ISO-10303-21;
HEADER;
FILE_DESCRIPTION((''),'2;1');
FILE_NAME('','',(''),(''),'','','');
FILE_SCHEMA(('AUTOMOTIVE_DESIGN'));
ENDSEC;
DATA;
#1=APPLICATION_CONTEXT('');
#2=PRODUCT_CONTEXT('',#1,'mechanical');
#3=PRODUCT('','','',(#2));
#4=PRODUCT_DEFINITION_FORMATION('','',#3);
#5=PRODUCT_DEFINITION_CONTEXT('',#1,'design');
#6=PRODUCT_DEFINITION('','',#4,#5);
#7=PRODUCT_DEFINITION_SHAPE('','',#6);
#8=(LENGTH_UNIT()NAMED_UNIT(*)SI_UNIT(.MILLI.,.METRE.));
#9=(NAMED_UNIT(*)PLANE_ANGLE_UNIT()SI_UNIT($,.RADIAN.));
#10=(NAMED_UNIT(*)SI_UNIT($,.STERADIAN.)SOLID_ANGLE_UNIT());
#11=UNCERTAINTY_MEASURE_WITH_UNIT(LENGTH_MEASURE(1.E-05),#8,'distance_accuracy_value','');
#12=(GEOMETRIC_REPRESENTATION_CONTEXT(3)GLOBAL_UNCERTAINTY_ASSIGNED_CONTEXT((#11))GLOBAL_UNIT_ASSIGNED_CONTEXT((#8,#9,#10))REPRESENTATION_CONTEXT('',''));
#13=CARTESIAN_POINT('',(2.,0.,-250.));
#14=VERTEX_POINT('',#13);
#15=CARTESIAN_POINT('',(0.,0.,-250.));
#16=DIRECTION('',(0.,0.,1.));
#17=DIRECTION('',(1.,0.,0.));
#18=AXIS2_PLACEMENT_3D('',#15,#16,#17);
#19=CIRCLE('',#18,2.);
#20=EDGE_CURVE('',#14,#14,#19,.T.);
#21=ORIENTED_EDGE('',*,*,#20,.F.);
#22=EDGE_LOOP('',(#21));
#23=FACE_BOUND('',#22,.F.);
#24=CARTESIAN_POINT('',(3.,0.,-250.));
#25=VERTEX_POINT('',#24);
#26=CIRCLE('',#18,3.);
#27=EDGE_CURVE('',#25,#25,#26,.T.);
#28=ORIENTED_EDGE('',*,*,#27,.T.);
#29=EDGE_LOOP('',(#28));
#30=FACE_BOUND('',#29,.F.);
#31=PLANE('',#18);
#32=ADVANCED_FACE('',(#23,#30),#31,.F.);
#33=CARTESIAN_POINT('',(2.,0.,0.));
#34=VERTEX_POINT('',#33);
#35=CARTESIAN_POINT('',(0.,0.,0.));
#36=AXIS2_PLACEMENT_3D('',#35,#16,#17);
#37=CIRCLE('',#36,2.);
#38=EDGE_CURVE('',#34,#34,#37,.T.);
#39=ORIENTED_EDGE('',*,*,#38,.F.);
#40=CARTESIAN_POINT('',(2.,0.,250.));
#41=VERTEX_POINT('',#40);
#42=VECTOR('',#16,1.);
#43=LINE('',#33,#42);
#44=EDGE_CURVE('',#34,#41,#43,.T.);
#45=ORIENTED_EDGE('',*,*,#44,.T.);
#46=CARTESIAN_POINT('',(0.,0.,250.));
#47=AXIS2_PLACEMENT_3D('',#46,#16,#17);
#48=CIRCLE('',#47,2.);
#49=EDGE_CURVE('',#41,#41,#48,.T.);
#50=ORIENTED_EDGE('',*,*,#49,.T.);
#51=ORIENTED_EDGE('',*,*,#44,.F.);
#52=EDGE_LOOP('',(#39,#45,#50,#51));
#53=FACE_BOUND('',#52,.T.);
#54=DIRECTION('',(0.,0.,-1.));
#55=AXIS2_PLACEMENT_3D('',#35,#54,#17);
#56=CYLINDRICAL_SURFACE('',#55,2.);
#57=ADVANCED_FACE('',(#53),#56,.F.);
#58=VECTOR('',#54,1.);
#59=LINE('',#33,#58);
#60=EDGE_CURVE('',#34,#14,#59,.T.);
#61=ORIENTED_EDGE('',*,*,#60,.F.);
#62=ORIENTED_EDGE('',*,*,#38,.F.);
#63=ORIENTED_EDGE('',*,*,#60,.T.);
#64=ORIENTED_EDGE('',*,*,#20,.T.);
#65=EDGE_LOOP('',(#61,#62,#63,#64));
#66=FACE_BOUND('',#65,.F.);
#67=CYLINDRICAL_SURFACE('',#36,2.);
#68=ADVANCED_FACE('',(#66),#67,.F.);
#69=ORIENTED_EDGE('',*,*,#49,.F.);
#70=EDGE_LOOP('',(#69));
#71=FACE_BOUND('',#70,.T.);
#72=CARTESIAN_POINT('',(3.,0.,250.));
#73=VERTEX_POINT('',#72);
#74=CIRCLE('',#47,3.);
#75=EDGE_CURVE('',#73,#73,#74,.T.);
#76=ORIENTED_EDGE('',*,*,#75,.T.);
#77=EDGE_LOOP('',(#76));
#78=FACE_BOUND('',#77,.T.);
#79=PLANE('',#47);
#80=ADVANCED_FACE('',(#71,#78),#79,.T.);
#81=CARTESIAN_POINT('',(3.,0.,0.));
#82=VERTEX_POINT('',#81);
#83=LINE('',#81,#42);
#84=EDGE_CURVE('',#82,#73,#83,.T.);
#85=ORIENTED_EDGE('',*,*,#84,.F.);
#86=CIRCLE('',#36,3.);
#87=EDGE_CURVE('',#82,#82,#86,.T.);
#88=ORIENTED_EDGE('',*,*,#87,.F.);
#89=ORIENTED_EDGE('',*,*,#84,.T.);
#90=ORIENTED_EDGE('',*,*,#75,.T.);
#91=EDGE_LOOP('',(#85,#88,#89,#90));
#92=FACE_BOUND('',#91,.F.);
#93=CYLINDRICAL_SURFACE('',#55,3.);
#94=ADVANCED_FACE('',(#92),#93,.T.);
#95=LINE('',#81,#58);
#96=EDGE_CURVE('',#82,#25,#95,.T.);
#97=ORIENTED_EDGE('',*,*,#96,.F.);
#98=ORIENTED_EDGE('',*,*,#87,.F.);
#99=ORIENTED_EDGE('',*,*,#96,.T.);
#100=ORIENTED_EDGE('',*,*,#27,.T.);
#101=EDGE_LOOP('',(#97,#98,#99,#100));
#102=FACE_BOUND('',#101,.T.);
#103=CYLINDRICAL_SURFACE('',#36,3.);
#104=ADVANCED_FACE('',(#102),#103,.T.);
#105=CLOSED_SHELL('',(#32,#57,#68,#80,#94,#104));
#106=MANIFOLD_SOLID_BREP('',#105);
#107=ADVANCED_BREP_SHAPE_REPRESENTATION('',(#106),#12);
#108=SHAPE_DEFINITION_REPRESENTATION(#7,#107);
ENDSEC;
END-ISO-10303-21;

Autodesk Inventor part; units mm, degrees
ref_plane "YZ Plane" through (0, 0, 0) normal (1, 0, 0) x (0, 1, 0)
ref_plane "XZ Plane" through (0, 0, 0) normal (0, 1, 0) x (-1, 0, 0)
ref_plane "XY Plane" through (0, 0, 0) normal (0, 0, 1) x (1, 0, 0)
sketch "Skizze1" plane through (0, 0, 0) normal (0, 0, 1) x (1, 0, 0)
  circle A0 centre (0, 0) radius 3
  circle A1 centre (0, 0) radius 2
  dimension "d0" = 1
  dimension "d1" = 6
extrude "Extrusion1" add sketch "Skizze1" along normal mid plane 500
properties part number "P_Wing_Carbonpipe_A"
